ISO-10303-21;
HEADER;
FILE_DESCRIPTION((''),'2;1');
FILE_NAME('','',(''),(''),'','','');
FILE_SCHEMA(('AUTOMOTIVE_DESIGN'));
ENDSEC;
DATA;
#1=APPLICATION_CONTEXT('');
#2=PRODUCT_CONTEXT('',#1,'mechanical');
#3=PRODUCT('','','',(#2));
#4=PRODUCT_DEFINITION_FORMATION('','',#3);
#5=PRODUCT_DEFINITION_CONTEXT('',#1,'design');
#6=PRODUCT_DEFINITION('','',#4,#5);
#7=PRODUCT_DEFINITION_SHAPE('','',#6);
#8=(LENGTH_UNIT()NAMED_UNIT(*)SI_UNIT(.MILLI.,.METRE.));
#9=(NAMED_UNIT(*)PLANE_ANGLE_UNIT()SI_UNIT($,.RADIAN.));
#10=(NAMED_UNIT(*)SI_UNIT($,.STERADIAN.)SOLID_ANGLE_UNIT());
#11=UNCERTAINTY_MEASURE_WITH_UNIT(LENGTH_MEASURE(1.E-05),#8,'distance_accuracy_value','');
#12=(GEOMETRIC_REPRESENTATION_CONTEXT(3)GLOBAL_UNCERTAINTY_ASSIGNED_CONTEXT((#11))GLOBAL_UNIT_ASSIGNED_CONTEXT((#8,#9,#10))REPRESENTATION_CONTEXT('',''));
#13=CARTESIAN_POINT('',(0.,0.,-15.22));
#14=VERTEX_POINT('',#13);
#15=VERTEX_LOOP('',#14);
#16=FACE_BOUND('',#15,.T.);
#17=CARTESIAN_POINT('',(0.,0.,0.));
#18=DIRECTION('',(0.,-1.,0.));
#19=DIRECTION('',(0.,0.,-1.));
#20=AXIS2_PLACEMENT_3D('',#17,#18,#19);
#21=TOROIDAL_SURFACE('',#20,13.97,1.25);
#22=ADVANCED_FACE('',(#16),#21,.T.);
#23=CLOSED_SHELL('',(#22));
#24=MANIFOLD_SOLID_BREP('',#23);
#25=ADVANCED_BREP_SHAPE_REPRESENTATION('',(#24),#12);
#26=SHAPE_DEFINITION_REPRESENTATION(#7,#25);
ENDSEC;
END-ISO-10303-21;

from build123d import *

# Parameters (mm, degrees)
SKETCH1_R = 1.25


with BuildPart() as part:
    # Sketch1 → Revolve1 (revolve)
    with BuildSketch(Plane.XY, mode=Mode.PRIVATE) as revolve1_sk:
        with Locations((-13.97, 0)):
            Circle(SKETCH1_R)
    revolve(revolve1_sk.sketch.rotate(Axis((0, 0, 0), (0, 1, 0)), 270), axis=Axis((0, 0, 0), (0, 1, 0)))


solid = part.part
